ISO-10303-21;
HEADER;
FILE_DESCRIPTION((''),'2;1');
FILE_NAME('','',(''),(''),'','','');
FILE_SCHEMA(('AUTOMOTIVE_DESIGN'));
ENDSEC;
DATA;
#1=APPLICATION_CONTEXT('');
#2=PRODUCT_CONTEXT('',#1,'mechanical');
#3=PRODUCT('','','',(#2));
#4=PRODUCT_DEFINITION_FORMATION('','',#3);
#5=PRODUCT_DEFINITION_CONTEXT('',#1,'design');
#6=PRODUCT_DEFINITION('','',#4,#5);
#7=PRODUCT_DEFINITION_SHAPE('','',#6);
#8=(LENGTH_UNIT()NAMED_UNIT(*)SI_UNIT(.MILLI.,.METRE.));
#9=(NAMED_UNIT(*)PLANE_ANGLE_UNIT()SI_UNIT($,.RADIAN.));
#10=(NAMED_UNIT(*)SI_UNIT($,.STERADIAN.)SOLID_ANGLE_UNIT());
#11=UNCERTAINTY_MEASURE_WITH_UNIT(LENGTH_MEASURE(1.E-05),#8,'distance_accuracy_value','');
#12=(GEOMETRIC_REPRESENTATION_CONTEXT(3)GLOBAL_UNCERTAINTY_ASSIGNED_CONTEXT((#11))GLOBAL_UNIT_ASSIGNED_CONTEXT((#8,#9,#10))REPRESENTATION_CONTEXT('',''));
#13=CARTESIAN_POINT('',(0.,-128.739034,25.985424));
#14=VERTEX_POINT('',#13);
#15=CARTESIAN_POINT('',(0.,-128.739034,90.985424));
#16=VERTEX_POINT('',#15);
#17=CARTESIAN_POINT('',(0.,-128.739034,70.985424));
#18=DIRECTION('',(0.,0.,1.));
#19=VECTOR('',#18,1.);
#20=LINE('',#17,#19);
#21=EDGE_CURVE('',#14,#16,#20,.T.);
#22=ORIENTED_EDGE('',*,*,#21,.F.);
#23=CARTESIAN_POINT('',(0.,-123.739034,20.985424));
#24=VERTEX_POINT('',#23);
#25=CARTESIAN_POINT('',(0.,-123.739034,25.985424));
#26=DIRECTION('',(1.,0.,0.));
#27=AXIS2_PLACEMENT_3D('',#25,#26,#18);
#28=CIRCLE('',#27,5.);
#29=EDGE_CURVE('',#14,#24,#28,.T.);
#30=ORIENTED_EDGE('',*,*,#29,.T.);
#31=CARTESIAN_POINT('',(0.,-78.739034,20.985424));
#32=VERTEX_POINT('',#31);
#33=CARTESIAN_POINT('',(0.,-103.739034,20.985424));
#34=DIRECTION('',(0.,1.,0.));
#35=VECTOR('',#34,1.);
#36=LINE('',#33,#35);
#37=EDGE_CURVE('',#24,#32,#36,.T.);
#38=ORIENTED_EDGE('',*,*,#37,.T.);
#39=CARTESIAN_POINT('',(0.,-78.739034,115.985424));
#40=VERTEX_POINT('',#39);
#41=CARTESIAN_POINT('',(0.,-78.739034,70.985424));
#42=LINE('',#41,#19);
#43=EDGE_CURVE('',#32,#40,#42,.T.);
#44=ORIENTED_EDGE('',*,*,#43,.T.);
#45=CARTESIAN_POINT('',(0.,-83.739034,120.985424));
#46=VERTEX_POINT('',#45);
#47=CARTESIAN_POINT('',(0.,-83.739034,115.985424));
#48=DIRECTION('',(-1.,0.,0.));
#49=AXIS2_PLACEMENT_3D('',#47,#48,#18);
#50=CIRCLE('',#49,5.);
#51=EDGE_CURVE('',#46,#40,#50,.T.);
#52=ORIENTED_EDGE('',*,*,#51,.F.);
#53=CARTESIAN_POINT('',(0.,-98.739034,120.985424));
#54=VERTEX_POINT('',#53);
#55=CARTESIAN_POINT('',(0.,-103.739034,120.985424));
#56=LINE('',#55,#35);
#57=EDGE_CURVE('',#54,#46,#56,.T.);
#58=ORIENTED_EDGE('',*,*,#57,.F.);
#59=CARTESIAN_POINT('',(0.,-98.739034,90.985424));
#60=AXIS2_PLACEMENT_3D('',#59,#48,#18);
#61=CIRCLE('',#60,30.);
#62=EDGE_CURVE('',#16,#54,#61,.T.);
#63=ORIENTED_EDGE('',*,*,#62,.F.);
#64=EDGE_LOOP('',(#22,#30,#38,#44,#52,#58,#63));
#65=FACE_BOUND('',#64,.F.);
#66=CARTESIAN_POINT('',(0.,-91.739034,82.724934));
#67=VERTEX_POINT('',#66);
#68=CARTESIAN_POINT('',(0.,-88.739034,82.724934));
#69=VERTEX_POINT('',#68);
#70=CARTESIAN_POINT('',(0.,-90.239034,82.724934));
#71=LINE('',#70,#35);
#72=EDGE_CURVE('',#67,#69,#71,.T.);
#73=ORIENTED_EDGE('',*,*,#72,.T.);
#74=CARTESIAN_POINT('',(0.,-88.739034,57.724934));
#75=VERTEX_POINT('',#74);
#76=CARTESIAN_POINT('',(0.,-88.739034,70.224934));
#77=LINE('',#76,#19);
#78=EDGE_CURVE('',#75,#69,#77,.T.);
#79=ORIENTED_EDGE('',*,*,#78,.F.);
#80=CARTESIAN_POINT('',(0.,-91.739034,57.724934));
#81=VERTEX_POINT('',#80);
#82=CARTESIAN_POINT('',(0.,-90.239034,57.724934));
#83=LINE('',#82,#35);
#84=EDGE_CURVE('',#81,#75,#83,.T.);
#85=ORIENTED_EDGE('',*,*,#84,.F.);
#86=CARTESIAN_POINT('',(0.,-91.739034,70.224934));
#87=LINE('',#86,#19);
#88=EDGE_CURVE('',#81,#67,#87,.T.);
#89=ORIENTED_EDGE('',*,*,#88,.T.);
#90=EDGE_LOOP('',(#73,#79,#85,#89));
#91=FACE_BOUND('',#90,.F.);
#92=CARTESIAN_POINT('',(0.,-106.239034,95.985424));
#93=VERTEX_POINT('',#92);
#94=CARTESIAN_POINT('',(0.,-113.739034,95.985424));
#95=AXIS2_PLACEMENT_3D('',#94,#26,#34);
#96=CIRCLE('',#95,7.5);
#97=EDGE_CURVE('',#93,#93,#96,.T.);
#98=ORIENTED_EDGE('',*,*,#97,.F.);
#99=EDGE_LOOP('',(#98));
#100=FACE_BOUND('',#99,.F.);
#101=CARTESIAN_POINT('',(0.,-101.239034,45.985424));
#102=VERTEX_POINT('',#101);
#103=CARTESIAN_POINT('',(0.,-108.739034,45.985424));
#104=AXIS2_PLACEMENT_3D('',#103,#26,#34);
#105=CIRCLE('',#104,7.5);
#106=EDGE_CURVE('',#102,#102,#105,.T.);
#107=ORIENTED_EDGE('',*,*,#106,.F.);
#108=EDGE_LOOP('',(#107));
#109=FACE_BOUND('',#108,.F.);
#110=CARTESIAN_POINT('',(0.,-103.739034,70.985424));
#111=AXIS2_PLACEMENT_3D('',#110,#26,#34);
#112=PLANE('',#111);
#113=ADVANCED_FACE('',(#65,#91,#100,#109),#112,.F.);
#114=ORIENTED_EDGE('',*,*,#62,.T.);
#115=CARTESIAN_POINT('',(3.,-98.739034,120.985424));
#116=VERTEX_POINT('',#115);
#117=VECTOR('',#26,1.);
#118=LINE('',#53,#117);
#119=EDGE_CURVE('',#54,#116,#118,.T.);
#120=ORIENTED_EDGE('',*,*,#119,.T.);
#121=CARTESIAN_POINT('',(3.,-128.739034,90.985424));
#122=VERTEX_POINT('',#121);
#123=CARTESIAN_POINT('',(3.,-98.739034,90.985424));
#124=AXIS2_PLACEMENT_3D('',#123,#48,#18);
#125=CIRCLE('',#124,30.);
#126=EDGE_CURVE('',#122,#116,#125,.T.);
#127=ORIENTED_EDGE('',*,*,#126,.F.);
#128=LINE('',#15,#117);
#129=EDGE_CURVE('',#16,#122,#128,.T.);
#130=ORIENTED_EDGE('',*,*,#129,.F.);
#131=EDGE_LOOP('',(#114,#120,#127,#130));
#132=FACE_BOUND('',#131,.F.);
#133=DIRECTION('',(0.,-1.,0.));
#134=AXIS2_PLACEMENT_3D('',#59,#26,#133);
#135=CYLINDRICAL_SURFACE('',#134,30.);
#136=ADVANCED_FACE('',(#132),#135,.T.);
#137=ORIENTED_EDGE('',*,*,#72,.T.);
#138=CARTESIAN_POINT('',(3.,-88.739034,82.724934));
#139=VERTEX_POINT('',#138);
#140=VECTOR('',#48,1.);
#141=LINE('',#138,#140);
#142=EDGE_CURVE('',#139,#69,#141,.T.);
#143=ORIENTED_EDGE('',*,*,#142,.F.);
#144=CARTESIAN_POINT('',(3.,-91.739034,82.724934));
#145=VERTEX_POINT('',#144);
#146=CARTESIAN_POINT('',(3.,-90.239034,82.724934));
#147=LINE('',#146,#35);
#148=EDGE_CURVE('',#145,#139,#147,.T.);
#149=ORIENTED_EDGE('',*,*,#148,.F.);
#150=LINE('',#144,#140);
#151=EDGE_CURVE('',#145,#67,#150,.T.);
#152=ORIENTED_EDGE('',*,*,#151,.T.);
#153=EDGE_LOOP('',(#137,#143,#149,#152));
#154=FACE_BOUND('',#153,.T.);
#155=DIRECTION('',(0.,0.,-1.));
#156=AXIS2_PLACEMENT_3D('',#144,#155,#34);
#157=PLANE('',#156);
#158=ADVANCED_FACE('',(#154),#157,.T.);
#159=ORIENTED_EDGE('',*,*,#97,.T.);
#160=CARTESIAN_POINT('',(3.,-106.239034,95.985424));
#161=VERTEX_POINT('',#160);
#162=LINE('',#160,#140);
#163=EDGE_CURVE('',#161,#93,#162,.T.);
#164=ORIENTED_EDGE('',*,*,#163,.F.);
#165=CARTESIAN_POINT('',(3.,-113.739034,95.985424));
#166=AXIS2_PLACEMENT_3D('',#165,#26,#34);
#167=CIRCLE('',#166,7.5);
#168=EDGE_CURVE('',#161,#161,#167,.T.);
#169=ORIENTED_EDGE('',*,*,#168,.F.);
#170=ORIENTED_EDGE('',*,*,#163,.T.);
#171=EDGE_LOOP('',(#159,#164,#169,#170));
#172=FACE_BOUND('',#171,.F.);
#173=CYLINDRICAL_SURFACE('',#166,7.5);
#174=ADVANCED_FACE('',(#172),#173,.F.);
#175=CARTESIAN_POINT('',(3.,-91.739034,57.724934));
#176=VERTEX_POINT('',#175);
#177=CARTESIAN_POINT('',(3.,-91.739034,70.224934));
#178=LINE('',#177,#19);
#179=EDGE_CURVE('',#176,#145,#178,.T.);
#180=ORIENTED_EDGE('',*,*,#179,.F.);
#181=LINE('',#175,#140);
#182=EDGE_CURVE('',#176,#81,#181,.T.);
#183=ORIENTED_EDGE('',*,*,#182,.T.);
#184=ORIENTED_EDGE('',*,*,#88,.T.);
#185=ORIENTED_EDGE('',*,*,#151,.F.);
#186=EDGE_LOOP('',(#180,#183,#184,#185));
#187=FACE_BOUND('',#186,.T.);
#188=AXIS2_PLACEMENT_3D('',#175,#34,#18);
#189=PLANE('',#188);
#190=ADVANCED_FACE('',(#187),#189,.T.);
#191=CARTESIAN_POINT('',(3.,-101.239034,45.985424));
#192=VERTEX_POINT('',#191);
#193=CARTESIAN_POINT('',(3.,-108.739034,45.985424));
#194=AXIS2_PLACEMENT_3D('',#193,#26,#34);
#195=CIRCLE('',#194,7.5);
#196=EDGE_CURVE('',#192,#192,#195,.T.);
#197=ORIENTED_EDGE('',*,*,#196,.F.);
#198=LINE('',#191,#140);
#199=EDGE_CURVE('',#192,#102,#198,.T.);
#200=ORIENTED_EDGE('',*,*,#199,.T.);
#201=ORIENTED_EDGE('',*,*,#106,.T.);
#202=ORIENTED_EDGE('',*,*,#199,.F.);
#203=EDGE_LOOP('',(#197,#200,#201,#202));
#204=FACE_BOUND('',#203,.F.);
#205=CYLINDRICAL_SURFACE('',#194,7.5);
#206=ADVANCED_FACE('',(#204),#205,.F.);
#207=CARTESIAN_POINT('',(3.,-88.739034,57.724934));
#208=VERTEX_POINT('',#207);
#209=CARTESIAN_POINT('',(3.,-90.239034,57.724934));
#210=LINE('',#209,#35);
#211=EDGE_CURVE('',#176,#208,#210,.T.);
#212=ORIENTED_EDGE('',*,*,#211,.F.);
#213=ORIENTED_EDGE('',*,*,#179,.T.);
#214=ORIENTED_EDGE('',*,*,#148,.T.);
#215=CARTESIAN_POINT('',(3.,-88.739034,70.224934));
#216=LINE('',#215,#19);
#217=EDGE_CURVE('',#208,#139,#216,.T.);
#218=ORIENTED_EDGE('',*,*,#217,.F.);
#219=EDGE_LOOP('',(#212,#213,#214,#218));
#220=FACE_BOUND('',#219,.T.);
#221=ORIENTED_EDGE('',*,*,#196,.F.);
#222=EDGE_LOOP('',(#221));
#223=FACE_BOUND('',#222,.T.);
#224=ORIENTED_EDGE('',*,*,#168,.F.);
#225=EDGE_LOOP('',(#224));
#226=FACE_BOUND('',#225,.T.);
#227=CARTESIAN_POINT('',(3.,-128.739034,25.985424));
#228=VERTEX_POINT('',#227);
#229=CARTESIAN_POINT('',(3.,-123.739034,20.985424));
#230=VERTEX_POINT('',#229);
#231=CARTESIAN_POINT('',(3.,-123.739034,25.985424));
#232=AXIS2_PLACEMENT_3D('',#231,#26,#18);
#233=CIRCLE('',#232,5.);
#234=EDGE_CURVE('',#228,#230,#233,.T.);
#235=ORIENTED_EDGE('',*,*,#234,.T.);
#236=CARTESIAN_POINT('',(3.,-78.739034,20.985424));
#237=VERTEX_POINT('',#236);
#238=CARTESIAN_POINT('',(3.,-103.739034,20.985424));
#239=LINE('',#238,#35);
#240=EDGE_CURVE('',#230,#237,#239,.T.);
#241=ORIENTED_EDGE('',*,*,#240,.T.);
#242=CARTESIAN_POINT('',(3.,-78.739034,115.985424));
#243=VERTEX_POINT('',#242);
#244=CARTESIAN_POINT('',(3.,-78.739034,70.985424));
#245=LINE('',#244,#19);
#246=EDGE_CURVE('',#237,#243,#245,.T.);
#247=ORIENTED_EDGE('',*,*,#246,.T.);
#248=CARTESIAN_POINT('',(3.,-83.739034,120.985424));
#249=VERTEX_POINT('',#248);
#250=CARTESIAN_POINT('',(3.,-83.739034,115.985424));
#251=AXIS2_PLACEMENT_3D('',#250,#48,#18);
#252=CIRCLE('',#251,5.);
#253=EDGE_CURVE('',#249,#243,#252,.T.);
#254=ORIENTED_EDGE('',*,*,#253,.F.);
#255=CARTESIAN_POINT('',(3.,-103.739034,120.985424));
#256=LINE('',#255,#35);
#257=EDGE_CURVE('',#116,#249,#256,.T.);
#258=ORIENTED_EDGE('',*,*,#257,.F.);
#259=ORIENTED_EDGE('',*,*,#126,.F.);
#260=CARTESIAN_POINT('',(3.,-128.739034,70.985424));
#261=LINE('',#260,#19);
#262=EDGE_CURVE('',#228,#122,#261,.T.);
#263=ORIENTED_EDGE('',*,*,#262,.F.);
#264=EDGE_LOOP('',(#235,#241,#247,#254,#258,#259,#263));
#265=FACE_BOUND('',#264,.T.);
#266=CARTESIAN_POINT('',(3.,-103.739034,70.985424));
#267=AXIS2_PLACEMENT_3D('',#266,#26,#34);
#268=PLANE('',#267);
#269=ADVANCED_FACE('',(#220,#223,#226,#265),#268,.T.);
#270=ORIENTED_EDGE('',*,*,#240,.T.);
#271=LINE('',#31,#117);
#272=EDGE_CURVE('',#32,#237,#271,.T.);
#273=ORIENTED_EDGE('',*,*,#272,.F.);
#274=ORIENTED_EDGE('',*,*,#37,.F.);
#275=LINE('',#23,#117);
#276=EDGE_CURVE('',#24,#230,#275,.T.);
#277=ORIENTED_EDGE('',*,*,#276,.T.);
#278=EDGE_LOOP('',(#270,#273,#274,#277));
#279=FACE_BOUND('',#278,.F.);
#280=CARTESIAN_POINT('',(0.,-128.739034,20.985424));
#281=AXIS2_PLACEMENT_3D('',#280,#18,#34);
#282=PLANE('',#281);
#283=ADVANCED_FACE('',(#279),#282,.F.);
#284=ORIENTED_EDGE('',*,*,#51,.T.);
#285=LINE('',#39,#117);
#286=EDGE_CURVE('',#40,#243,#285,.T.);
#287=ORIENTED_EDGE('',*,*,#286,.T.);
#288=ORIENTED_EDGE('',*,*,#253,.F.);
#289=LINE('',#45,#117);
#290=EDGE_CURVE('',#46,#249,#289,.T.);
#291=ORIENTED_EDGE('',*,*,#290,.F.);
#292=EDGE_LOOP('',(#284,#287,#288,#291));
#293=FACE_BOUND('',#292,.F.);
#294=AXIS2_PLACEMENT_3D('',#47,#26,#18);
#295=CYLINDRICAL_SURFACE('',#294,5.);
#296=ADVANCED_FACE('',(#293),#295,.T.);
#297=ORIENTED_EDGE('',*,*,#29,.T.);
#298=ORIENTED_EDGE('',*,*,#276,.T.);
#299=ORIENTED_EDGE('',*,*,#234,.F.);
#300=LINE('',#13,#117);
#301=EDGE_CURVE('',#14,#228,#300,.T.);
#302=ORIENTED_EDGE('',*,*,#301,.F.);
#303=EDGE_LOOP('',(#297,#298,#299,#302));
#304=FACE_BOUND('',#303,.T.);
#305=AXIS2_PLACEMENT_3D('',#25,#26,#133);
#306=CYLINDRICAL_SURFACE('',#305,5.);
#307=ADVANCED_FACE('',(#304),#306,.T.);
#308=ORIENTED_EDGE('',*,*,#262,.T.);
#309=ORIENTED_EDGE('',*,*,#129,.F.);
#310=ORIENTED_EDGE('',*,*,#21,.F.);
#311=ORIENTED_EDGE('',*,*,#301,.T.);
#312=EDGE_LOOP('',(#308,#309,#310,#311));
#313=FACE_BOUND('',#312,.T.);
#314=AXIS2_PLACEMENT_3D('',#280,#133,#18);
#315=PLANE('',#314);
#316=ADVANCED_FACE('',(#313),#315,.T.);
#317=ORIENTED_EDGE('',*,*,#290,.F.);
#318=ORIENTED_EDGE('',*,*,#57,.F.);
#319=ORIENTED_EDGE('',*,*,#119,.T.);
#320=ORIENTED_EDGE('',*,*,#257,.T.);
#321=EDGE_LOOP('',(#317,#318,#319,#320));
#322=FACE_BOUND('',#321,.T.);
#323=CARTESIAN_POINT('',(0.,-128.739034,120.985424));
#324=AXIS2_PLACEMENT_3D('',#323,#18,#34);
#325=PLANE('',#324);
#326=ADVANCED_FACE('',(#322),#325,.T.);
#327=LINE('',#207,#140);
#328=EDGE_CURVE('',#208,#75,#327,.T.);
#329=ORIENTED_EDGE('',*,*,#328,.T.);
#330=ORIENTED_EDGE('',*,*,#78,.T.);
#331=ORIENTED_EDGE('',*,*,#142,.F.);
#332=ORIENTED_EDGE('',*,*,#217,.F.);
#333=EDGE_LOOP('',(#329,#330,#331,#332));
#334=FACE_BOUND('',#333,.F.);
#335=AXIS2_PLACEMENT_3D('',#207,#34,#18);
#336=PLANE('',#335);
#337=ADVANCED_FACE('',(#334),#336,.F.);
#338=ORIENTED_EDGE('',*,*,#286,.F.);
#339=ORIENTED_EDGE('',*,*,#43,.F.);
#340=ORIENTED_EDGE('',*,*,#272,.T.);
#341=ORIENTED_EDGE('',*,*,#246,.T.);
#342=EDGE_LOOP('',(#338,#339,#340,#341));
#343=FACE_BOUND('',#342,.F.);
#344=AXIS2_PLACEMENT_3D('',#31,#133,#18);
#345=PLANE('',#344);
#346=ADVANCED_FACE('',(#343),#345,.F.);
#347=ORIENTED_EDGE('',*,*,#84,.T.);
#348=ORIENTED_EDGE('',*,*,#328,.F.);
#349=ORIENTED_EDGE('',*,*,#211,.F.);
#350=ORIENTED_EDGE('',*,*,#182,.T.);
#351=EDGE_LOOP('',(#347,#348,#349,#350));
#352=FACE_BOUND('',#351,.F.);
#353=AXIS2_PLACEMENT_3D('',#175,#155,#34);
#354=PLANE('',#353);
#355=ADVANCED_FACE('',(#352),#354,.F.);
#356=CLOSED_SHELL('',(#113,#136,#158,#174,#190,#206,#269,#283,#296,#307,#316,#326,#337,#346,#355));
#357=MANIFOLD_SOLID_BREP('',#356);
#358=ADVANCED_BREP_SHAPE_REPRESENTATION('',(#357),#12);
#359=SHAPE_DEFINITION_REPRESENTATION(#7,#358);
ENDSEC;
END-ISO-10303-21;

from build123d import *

# Parameters (mm, degrees)
F0_W      = 50
F0_H      = 100
F1_DEPTH  = 3
F2_W      = 3
F2_H      = 25
F3_DEPTH  = 3
F4_R      = 30
F5_R      = 5
F6_R      = 5
F7_R      = 7.5
F8_DEPTH  = 3
F9_R      = 7.5
F10_DEPTH = 25


with BuildPart() as f1:
    # F0 (on Right) → F1 (new body)
    with BuildSketch(Plane.YZ):
        with Locations((-103.739034, 70.985424)):
            Rectangle(F0_W, F0_H)
    extrude(amount=F1_DEPTH)

    # F2 (on face) → F3 (cut)
    with BuildSketch(Plane.YZ.offset(3)):
        with Locations((-90.239034, 70.224934)):
            Rectangle(F2_W, F2_H)
    extrude(amount=-F3_DEPTH, mode=Mode.SUBTRACT)

    # F4
    f4_edges = [f1.edges().sort_by_distance(p)[0] for p in [
        (1.5, -128.739034, 120.985424),
    ]]
    fillet(f4_edges, radius=F4_R)

    # F5
    f5_edges = [f1.edges().sort_by_distance(p)[0] for p in [
        (1.5, -78.739034, 120.985424),
    ]]
    fillet(f5_edges, radius=F5_R)

    # F6
    f6_edges = [f1.edges().sort_by_distance(p)[0] for p in [
        (1.5, -128.739034, 20.985424),
    ]]
    fillet(f6_edges, radius=F6_R)

    # F7 (on face) → F8 (cut)
    with BuildSketch(Plane.YZ.offset(3)):
        with Locations((-113.739034, 95.985424)):
            Circle(F7_R)
    extrude(amount=-F8_DEPTH, mode=Mode.SUBTRACT)

    # F9 (on face) → F10 (cut)
    with BuildSketch(Plane.YZ.offset(3)):
        with Locations((-108.739034, 45.985424)):
            Circle(F9_R)
    extrude(amount=-F10_DEPTH, mode=Mode.SUBTRACT)


solid = f1.part
